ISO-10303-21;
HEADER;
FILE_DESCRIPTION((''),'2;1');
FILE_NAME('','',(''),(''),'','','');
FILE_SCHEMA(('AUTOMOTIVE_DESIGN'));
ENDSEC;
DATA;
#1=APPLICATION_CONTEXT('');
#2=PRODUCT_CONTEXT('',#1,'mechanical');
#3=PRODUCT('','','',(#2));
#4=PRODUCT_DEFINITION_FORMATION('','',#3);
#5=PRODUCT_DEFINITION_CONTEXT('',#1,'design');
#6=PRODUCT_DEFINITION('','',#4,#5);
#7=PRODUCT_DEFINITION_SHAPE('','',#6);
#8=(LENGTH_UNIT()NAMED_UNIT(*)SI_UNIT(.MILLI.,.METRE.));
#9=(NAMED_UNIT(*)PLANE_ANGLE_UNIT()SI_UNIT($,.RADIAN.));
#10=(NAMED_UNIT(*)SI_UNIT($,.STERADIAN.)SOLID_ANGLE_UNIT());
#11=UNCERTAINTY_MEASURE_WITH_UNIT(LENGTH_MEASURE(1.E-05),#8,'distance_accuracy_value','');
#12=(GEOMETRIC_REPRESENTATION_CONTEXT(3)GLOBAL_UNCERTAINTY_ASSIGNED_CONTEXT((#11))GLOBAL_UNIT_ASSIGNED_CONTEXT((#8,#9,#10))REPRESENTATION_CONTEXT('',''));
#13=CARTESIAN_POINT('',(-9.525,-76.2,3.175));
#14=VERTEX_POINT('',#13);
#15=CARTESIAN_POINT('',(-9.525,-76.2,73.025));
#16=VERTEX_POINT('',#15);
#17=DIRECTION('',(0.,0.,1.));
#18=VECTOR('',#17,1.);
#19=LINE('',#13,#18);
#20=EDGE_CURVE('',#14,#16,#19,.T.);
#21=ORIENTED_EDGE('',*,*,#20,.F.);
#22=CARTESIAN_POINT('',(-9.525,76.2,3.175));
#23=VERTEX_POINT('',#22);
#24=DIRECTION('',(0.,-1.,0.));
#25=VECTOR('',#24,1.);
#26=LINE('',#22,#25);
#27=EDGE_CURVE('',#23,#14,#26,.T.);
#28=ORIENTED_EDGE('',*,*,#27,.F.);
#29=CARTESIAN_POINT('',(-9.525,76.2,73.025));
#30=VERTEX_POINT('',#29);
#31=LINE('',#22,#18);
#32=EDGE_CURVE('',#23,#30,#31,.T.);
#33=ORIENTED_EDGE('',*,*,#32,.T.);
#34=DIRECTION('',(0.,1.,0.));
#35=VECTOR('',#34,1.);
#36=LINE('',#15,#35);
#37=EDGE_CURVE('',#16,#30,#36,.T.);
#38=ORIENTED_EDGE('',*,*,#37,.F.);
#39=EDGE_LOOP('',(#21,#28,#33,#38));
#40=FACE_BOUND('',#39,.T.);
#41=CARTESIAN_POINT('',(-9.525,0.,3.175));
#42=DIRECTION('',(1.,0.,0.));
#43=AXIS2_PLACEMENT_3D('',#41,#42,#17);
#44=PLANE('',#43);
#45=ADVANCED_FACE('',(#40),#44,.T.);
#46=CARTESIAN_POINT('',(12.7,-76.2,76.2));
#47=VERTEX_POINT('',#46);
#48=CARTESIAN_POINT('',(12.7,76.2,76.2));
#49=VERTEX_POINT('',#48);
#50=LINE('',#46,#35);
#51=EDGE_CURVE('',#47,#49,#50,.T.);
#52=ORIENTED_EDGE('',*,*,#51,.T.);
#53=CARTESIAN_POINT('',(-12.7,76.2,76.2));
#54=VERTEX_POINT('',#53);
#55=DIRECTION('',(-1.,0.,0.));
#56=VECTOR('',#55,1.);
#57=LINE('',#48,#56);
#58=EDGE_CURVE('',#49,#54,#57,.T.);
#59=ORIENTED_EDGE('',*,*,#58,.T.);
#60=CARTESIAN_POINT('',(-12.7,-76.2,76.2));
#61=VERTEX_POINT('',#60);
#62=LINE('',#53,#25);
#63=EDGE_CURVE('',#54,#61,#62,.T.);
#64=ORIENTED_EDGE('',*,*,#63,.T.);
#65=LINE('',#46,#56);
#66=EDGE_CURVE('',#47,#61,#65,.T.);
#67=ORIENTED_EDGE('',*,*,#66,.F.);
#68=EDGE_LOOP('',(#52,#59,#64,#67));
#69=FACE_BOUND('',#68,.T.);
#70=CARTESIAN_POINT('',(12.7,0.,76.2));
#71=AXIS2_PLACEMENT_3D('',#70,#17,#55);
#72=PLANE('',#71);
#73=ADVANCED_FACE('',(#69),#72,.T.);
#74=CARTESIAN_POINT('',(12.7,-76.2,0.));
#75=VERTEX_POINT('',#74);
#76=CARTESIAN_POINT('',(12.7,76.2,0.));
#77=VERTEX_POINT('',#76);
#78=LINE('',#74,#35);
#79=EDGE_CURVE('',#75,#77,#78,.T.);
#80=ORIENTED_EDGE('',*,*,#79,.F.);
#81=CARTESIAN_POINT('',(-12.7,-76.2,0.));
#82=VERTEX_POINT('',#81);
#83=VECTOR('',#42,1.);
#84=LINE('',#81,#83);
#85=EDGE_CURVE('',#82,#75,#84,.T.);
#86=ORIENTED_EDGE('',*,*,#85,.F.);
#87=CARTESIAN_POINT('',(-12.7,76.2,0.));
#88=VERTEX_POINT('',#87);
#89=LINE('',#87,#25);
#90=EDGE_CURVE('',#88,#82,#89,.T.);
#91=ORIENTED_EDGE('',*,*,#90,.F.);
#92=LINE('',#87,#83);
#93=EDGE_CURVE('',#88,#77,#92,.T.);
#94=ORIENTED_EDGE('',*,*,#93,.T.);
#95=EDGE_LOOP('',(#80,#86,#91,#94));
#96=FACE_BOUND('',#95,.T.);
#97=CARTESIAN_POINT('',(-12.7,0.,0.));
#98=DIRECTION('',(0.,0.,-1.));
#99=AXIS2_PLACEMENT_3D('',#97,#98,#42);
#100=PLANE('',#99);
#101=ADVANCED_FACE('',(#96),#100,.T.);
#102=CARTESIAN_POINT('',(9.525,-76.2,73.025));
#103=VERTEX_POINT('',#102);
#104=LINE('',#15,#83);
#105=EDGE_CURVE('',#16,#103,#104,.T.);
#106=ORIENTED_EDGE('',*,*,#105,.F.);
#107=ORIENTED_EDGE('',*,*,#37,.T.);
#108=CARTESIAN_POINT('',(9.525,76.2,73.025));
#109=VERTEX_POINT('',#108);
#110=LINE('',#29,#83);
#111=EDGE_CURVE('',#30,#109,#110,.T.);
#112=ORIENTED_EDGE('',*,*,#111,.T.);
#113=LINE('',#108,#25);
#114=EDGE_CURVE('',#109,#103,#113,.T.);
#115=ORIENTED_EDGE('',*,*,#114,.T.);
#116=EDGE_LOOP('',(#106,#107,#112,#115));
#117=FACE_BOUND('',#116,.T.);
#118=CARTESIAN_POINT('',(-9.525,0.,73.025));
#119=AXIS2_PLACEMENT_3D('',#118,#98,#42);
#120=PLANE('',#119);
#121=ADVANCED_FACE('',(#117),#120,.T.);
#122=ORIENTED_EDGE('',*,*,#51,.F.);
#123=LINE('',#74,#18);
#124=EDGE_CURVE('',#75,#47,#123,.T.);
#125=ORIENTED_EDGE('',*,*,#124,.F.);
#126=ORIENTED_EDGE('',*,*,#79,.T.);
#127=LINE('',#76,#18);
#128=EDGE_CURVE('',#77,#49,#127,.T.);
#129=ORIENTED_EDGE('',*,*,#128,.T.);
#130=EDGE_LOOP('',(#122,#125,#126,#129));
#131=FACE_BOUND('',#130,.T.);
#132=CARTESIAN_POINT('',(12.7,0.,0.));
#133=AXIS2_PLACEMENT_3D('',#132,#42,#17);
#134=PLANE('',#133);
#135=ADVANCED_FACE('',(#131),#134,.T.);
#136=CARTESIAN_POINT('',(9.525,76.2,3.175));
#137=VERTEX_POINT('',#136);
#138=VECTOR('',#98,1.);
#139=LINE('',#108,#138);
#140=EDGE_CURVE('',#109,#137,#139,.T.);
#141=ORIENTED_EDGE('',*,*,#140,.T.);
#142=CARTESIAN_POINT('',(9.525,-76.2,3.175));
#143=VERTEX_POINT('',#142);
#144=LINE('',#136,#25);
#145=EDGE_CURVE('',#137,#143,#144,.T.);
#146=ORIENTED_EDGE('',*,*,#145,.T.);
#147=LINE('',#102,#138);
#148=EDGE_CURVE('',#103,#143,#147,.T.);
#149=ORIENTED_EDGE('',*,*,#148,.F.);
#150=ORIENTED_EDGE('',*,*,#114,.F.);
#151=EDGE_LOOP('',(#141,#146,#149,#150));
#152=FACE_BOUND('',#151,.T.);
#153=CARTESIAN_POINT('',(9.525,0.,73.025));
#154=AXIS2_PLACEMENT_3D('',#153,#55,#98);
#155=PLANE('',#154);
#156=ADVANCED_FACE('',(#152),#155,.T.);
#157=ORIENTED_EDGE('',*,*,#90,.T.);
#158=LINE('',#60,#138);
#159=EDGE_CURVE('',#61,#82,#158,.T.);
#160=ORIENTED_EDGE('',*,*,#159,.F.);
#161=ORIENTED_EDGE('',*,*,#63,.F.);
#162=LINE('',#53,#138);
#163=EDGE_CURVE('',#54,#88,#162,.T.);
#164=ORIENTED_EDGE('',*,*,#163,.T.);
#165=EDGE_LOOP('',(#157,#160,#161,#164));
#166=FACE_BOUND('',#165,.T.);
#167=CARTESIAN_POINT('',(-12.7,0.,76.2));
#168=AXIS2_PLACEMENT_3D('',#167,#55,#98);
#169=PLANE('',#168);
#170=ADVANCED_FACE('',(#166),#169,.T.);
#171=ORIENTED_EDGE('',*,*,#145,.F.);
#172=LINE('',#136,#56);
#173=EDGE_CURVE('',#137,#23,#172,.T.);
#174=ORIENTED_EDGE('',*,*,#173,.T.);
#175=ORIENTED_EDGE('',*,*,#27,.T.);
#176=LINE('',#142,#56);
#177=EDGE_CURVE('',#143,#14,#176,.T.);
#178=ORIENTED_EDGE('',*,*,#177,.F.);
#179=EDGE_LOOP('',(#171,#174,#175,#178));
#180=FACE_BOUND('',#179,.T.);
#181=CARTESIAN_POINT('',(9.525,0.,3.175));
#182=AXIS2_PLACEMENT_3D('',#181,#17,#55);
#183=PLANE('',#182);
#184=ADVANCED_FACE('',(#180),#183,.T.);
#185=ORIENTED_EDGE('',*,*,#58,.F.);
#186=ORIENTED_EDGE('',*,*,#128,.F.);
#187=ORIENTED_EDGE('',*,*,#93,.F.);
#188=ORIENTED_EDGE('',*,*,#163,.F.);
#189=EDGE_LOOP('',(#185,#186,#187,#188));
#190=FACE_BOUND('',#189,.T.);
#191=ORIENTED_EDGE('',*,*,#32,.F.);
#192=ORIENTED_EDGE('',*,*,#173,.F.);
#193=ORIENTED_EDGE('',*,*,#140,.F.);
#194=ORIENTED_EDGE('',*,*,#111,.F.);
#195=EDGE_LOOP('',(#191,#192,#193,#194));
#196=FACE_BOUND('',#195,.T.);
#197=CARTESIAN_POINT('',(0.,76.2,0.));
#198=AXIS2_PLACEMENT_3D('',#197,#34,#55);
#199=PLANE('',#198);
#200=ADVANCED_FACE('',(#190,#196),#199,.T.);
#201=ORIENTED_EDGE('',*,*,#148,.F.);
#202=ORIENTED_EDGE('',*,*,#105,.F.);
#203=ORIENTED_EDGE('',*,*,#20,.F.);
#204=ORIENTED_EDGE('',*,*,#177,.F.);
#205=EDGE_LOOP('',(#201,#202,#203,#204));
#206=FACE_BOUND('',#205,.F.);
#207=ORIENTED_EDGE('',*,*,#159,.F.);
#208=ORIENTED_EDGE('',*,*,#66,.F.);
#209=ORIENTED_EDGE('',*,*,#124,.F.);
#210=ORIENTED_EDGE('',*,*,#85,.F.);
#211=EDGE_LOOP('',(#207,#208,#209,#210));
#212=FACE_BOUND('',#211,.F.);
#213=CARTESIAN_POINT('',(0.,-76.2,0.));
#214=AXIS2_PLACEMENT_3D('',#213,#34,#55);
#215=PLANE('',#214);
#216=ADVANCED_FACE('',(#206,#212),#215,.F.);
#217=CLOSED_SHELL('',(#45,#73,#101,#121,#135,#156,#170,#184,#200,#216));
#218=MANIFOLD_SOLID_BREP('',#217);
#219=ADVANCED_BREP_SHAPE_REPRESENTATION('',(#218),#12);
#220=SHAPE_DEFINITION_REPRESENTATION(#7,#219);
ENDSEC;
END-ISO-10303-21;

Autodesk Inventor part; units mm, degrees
ref_plane "YZ Plane" through (0, 0, 0) normal (1, 0, 0) x (0, 1, 0)
ref_plane "XZ Plane" through (0, 0, 0) normal (0, 1, 0) x (-1, 0, 0)
ref_plane "XY Plane" through (0, 0, 0) normal (0, 0, 1) x (1, 0, 0)
sketch "Sketch1" plane through (0, 0, 0) normal (0, 1, 0) x (-1, 0, 0)
  line L0 (-12.7, 76.2) -> (12.7, 76.2)
  line L1 (12.7, 76.2) -> (12.7, 0)
  line L2 (12.7, 0) -> (-12.7, 0)
  line L3 (-12.7, 0) -> (-12.7, 76.2)
  line L4 (9.525, 73.025) -> (-9.525, 73.025)
  line L5 (-9.525, 73.025) -> (-9.525, 3.175)
  line L6 (-9.525, 3.175) -> (9.525, 3.175)
  line L7 (9.525, 3.175) -> (9.525, 73.025)
  point P0 (0, 0)
  dimension "d0" = 25.4
  dimension "d1" = 76.2
  dimension "d2" = 0
  dimension "d3" = 12.7
  dimension "d4" = 3.175
extrude "Extrusion1" add sketch "Sketch1" along normal mid plane 152.4
properties part number "2x4 StandIn- 2021"
